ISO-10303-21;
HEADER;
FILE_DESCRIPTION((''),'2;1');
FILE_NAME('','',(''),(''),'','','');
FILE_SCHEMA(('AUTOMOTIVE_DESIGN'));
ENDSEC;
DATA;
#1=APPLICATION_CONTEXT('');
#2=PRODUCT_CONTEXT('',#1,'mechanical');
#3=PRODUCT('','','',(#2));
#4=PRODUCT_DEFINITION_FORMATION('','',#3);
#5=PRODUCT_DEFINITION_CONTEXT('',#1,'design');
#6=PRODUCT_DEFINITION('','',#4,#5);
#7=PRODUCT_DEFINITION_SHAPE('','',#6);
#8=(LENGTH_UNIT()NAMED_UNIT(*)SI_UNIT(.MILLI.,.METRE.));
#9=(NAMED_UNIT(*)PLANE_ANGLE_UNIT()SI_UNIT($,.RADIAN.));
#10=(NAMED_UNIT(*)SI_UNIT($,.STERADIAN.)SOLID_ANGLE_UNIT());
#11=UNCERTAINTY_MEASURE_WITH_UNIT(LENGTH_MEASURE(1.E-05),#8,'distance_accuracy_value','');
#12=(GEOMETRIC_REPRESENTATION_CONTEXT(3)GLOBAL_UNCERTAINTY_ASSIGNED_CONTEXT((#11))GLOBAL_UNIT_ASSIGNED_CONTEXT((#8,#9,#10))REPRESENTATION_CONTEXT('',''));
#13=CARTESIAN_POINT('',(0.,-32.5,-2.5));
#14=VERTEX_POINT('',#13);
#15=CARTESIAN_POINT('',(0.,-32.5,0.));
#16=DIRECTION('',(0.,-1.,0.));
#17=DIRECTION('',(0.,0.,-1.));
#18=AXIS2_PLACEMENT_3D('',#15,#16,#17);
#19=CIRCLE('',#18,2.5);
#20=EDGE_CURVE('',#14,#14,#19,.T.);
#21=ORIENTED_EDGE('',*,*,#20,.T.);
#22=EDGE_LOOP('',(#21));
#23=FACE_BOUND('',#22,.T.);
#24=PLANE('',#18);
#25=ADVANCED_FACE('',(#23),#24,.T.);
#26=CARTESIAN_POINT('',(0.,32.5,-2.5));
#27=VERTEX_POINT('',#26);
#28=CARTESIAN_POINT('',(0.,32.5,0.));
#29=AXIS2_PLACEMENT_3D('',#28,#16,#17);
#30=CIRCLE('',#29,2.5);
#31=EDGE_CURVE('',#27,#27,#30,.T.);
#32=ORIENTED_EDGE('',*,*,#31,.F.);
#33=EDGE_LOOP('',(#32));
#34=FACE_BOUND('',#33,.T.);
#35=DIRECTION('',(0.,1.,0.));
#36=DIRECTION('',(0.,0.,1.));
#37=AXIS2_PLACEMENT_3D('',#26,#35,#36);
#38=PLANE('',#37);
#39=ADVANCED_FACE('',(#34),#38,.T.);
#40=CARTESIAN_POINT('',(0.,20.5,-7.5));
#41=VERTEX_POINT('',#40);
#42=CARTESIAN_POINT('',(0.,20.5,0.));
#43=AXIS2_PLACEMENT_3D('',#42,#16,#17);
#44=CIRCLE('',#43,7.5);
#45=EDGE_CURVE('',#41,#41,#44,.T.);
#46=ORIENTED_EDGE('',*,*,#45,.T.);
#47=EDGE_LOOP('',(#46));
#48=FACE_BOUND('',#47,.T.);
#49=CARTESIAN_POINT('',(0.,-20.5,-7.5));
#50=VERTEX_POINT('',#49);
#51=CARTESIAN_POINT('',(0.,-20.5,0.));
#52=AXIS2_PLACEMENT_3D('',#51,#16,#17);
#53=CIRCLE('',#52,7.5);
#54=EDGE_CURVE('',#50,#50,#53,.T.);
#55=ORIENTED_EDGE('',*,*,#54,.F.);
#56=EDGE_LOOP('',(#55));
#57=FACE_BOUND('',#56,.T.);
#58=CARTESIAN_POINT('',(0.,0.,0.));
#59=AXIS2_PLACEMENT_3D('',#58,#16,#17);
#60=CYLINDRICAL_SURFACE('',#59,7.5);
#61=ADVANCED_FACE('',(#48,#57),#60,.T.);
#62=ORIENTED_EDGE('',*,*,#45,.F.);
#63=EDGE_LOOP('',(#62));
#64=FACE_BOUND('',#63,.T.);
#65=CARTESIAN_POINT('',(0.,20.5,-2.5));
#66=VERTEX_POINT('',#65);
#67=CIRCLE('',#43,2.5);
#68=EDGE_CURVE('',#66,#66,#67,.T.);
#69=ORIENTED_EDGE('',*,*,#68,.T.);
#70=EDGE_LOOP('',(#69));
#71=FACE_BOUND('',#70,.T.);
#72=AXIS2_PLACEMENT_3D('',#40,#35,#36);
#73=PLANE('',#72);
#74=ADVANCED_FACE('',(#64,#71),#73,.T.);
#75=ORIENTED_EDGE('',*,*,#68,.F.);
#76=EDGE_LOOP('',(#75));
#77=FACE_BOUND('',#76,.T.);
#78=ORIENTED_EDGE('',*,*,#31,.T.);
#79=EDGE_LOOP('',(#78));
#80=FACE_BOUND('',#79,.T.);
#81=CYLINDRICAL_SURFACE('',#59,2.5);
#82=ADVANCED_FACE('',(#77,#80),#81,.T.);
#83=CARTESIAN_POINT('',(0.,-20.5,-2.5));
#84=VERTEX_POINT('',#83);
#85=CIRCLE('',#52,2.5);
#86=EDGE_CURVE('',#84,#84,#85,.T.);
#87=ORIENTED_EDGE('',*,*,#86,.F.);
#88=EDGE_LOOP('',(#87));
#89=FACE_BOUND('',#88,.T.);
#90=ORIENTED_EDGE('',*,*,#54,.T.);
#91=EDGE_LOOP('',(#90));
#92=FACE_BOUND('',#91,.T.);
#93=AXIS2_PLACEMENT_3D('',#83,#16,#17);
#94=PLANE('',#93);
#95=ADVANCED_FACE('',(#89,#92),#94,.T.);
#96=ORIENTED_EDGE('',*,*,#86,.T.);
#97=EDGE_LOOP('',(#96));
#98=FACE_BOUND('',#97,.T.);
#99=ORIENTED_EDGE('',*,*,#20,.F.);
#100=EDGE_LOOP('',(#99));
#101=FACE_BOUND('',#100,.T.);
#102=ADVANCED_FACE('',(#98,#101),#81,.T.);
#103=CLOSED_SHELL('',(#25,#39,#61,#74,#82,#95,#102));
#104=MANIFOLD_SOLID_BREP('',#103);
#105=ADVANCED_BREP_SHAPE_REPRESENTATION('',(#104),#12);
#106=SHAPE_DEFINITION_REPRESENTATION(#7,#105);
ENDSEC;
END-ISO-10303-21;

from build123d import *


with BuildPart() as part:
    # Sketch1 → Revolve1 (revolve)
    with BuildSketch(Plane(origin=(0, 0, 0), x_dir=(0, 0, -1), z_dir=(1, 0, 0))):
        Polygon((0, -32.5), (2.5, -32.5), (2.5, -20.5), (7.5, -20.5), (7.5, 20.5), (2.5, 20.5), (2.5, 32.5), (0, 32.5), align=None)
    revolve(axis=Axis((0, 0, 0), (0, 1, 0)))


solid = part.part
